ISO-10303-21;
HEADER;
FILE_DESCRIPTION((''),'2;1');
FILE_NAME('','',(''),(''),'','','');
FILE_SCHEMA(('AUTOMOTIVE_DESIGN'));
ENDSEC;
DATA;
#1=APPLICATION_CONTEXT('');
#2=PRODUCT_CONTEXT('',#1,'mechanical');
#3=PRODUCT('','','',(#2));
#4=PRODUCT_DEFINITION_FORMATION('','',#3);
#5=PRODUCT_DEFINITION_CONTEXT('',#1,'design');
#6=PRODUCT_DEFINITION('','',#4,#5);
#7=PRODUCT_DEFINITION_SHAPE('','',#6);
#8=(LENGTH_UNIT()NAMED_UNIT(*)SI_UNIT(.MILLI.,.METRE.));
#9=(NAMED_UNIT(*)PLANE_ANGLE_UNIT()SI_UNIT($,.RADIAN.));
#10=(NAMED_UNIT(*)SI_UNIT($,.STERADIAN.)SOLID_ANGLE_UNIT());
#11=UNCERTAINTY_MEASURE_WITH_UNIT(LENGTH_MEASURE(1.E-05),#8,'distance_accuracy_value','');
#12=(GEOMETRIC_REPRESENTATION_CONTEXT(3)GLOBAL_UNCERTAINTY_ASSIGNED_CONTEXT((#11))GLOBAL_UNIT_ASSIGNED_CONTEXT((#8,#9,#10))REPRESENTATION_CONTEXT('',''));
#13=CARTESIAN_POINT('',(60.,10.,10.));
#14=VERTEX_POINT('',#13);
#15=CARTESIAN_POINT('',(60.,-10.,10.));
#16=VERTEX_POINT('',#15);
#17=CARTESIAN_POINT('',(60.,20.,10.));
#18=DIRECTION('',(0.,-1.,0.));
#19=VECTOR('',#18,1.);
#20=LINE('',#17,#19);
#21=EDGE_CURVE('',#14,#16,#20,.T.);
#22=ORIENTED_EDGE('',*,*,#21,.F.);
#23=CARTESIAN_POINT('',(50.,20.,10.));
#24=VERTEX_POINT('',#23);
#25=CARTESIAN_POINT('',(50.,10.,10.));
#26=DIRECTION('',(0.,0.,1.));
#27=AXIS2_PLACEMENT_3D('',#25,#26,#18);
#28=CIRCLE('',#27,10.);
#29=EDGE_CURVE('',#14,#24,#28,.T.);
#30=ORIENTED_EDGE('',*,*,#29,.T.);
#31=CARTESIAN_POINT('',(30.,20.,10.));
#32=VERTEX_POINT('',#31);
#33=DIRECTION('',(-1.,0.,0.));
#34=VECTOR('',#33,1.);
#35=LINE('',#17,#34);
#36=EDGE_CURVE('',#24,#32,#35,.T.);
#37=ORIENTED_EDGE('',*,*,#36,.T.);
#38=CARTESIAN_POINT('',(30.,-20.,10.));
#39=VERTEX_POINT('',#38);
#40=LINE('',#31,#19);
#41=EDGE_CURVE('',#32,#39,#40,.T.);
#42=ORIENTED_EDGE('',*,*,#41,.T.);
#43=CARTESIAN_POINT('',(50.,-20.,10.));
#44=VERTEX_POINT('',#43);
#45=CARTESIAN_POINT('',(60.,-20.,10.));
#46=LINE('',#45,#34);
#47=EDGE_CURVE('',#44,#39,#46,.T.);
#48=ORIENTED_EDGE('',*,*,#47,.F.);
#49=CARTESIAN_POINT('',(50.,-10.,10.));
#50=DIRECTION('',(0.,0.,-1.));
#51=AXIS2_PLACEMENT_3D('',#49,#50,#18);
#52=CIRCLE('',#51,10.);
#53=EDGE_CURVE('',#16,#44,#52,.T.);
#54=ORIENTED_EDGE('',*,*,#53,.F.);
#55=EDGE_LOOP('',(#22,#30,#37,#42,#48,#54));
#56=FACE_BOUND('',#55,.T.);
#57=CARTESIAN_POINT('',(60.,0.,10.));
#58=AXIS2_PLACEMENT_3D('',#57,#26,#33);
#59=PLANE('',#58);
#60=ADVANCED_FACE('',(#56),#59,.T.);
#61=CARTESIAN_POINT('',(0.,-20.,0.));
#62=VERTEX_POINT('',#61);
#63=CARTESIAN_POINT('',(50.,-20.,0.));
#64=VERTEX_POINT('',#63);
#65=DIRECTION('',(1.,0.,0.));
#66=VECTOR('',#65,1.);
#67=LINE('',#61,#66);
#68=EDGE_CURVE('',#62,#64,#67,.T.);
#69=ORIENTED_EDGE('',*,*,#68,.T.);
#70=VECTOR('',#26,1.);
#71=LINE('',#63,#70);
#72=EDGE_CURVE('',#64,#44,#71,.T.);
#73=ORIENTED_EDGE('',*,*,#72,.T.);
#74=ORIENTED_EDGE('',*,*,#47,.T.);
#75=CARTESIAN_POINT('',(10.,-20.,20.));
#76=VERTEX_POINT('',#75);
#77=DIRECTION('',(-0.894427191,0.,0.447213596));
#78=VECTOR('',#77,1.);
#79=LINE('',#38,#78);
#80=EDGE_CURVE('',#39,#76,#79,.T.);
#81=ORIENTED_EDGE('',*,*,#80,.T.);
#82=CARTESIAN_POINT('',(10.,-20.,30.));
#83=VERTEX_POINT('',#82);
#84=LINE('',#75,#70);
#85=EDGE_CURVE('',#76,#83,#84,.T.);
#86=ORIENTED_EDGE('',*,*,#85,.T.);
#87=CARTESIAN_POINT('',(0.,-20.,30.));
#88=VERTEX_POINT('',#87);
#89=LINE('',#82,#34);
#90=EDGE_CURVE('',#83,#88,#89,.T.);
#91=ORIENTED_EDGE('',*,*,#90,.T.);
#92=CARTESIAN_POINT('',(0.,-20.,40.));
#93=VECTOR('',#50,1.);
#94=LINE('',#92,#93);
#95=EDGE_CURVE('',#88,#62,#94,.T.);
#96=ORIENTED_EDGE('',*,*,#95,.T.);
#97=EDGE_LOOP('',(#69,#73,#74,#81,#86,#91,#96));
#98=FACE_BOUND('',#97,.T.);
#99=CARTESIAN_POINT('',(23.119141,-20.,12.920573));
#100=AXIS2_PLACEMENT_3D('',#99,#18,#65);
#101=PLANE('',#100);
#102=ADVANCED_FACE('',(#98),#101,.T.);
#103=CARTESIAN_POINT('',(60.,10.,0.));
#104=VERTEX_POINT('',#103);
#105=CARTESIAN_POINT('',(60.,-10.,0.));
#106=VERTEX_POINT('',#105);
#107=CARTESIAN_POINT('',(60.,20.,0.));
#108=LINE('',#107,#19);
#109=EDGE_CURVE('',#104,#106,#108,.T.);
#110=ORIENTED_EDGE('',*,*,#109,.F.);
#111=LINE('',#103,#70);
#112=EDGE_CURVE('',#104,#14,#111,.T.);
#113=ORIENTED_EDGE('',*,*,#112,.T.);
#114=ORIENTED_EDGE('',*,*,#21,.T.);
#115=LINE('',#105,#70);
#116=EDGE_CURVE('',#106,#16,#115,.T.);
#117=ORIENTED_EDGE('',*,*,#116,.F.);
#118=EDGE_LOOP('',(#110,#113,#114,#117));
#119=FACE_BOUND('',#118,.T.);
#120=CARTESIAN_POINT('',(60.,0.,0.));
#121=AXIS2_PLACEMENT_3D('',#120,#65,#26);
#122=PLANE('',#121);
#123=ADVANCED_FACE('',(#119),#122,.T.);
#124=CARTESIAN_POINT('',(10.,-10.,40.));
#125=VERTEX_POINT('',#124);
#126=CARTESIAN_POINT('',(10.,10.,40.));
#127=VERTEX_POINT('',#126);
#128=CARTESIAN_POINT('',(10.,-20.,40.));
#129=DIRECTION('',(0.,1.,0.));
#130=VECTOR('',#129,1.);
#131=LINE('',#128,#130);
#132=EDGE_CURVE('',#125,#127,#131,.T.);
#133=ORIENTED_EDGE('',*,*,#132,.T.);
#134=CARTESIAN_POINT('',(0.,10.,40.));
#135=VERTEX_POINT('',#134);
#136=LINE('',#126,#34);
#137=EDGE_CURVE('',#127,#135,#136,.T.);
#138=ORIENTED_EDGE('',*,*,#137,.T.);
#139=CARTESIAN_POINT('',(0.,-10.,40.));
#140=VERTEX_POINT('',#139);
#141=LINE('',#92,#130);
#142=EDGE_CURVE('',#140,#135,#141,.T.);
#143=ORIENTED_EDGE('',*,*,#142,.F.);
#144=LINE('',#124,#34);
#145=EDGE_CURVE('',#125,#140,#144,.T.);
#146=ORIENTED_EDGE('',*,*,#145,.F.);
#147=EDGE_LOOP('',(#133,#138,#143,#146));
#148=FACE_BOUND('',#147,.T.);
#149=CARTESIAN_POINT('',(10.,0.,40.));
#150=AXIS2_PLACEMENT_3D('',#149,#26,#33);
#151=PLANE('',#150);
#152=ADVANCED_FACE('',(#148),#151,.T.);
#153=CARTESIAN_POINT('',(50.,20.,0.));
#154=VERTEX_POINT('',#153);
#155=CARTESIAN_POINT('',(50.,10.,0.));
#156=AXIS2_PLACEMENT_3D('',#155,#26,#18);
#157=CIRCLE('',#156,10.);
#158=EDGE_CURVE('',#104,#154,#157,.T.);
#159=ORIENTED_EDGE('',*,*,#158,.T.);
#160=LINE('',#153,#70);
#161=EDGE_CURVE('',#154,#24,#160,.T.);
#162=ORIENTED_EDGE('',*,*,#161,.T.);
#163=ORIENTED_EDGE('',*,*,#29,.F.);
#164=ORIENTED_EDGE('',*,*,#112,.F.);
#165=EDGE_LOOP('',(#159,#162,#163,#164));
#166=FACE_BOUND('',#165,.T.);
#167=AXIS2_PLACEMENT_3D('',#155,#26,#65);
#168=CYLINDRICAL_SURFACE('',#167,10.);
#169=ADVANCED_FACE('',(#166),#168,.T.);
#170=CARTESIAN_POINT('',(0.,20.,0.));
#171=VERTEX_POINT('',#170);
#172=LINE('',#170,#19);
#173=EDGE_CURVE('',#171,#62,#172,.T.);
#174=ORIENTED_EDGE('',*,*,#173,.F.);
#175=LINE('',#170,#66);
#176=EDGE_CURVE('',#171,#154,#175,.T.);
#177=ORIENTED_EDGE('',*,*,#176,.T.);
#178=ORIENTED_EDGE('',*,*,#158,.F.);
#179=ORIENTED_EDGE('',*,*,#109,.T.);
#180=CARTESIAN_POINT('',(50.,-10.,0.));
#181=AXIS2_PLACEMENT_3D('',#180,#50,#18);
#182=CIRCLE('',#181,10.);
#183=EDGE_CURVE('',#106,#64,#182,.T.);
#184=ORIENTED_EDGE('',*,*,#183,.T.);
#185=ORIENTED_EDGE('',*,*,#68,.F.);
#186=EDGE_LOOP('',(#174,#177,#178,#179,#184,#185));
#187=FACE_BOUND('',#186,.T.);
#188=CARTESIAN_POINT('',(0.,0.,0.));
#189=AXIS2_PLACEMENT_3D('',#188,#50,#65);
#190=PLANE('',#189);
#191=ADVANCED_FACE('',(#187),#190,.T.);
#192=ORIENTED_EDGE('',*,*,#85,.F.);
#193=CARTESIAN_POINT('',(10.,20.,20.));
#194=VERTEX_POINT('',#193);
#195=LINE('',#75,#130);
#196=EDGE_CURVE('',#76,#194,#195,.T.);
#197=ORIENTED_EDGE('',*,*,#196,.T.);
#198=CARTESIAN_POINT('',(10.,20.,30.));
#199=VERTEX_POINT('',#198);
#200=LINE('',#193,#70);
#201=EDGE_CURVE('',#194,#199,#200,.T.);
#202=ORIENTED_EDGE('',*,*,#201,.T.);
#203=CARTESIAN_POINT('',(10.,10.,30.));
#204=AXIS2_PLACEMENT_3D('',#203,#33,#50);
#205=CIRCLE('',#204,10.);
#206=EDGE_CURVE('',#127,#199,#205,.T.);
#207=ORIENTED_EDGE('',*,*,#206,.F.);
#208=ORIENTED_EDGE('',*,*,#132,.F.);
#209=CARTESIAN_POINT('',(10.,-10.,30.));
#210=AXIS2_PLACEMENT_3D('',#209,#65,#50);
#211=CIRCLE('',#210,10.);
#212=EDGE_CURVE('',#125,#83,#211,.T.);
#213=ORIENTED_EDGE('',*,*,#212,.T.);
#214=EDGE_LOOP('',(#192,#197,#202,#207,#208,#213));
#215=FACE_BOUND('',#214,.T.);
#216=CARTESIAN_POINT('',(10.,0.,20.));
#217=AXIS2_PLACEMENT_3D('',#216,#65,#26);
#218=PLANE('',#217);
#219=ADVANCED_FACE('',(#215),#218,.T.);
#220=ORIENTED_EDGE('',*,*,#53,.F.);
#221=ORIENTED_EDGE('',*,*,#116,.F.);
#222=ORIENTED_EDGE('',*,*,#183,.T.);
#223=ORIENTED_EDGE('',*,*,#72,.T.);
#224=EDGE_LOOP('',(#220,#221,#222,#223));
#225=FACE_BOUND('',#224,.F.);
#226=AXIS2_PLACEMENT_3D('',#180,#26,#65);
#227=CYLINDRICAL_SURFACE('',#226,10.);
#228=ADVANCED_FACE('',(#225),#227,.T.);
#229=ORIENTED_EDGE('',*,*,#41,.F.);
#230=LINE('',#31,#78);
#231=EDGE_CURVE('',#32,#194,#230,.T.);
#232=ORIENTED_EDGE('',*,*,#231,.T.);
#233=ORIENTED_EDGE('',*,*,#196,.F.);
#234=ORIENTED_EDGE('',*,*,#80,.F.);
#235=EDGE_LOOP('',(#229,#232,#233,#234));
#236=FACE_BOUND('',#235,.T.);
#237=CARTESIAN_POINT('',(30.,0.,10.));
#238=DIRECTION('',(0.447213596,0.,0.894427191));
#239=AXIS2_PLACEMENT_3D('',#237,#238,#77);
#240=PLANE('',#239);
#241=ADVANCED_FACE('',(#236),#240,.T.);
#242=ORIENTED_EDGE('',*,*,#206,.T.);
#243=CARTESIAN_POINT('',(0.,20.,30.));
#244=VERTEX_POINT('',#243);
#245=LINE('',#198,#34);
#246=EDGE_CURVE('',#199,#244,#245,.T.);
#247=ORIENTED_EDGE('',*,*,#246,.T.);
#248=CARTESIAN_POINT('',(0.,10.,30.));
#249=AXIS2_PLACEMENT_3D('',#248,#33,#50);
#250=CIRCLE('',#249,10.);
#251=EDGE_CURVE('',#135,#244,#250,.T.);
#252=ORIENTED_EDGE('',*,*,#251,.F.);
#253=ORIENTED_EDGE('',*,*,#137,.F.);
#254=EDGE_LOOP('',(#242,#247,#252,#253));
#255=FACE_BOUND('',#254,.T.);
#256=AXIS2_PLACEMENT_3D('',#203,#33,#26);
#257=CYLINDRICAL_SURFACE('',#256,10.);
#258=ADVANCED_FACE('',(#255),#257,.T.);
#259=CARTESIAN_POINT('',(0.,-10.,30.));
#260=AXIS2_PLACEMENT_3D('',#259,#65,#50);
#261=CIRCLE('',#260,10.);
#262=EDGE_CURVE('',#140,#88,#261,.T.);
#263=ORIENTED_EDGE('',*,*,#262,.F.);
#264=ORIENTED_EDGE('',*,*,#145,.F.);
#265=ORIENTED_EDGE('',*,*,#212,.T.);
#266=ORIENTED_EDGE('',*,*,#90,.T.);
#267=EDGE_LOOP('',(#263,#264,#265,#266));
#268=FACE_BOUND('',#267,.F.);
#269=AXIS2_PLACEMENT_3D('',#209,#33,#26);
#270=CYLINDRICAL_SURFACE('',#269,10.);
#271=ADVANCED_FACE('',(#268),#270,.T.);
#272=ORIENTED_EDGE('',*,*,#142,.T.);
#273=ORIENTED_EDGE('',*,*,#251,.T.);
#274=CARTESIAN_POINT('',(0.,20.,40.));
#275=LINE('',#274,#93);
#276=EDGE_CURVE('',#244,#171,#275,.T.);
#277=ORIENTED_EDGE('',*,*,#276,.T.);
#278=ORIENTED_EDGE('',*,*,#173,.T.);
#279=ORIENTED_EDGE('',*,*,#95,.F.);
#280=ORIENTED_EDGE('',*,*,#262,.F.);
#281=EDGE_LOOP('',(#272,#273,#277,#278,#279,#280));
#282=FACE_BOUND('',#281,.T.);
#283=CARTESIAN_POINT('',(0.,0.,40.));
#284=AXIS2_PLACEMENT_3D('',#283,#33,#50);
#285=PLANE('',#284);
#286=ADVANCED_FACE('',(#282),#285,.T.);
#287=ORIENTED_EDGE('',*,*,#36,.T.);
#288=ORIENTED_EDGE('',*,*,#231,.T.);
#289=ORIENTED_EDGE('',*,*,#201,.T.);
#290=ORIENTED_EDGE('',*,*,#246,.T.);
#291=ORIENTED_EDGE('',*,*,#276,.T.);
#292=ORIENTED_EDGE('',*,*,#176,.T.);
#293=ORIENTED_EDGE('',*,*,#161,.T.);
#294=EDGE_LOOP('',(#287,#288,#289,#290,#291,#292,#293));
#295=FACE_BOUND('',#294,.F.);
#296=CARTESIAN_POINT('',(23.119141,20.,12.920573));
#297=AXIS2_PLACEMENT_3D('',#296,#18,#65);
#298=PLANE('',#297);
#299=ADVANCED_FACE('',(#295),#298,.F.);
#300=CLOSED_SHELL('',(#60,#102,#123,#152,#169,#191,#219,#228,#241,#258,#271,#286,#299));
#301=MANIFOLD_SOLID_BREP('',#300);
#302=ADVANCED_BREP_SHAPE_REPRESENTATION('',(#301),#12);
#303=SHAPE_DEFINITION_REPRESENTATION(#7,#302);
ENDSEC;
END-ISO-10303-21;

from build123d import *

# Parameters (mm, degrees)
F1_DEPTH = 20
F2_R     = 10


with BuildPart() as f1:
    # F0 (on Front) → F1 (new body, symmetric)
    with BuildSketch(Plane.XZ):
        Polygon((0, 40), (0, 0), (60, 0), (60, 10), (30, 10), (10, 20), (10, 40), align=None)
    extrude(amount=F1_DEPTH, both=True)

    # F2
    f2_edges = [f1.edges().sort_by_distance(p)[0] for p in [
        (5, -20, 40),
        (5, 20, 40),
        (60, -20, 5),
        (60, 20, 5),
    ]]
    fillet(f2_edges, radius=F2_R)


solid = f1.part
